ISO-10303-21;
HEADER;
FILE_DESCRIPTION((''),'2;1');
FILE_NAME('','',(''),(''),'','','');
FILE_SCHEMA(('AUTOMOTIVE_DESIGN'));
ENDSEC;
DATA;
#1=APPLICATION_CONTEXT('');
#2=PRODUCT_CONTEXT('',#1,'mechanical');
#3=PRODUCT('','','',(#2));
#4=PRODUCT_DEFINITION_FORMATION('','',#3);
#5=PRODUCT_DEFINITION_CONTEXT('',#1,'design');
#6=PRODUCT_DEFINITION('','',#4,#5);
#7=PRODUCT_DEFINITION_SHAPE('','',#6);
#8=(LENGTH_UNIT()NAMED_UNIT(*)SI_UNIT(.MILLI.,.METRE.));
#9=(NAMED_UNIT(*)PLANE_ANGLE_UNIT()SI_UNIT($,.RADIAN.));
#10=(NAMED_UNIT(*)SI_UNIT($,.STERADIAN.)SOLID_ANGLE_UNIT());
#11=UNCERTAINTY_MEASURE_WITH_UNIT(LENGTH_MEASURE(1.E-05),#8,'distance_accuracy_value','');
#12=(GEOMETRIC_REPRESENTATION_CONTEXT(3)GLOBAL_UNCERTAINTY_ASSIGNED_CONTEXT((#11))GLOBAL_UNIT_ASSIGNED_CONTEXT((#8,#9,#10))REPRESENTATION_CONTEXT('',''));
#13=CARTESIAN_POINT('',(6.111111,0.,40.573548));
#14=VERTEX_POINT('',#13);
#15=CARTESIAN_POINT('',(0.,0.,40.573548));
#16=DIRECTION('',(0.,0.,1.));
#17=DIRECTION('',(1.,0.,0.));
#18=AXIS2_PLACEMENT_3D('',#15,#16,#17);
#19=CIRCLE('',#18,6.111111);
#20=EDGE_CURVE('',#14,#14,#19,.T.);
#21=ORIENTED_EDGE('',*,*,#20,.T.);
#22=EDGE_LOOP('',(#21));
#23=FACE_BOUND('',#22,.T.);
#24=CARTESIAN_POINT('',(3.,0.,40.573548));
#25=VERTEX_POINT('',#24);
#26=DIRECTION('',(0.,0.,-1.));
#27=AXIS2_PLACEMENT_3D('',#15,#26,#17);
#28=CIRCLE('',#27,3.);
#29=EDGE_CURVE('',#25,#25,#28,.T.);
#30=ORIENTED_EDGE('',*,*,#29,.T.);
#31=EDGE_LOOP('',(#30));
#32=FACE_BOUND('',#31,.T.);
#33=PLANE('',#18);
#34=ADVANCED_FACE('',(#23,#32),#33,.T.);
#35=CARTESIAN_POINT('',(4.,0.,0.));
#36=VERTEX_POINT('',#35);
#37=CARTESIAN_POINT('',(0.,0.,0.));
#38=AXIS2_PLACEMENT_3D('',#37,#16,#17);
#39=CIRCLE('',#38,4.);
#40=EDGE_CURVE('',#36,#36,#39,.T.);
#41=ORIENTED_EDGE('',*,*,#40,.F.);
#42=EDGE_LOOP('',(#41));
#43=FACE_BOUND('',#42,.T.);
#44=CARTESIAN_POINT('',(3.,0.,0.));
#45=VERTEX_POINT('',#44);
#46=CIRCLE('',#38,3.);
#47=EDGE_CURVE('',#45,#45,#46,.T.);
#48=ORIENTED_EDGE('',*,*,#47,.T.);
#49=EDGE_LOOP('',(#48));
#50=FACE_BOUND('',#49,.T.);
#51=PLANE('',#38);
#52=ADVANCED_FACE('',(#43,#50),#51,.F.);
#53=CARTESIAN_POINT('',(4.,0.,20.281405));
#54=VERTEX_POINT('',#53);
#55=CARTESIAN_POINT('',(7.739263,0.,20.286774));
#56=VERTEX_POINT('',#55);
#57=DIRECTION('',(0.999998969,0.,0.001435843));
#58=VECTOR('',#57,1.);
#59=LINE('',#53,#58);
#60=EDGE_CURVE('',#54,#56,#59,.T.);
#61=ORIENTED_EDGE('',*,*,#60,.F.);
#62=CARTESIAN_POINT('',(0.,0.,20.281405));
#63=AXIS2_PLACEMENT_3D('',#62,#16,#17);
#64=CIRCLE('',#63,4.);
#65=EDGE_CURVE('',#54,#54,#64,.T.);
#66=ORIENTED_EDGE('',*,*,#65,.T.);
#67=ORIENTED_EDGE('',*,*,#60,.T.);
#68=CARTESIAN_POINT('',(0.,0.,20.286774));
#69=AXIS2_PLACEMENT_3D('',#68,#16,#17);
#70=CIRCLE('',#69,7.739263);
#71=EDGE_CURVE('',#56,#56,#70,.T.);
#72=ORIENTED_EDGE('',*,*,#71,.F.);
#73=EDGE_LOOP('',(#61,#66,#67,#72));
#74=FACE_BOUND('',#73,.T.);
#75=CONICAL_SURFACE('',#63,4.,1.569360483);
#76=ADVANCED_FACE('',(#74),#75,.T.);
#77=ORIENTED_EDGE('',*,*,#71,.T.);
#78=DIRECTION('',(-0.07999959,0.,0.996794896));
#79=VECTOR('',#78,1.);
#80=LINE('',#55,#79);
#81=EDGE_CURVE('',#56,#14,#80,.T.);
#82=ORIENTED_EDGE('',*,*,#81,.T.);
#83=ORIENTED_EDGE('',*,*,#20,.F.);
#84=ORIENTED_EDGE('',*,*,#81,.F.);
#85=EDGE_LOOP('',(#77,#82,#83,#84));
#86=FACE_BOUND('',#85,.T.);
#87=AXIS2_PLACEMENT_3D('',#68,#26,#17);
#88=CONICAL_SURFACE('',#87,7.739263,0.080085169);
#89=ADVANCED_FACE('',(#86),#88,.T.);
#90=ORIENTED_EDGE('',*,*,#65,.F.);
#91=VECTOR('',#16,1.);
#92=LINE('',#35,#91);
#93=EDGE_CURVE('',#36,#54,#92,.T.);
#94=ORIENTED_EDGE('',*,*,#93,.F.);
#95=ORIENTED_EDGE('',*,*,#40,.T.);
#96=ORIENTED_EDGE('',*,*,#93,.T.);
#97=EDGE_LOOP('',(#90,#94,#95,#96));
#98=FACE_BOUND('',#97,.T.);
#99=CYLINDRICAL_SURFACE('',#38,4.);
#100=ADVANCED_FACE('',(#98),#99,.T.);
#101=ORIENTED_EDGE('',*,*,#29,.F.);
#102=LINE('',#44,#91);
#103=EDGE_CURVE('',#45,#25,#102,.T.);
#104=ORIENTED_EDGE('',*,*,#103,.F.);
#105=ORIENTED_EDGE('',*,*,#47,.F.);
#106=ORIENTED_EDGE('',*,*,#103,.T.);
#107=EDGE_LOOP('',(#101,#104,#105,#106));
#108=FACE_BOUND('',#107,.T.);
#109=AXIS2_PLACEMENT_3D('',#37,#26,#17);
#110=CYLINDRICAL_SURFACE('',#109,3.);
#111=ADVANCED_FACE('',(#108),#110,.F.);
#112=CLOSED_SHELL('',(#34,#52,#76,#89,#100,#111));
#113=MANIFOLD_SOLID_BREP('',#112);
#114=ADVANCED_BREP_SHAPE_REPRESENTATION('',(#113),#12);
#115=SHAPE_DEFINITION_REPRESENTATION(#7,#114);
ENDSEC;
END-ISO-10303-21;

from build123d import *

# Parameters (mm, degrees)
F2_R      = 3
F1_FACE_R = 6.111111
F3_DEPTH  = 61


with BuildPart() as f1:
    # F0 (on Front) → F1 (revolve)
    with BuildSketch(Plane.XZ):
        Polygon((0, 40.573548), (0, 0), (4, 0), (4, 20.281405), (7.739263, 20.286774), (6.111111, 40.573548), align=None)
    revolve(axis=Axis((0, 0, 20.286774), (0, 0, 1)))

    # F2 (on Top) + F1_face (on face) → F3 (cut)
    with BuildSketch(Plane.XY):
        Circle(F2_R)
    with BuildSketch(Plane.XY.offset(40.573548)):
        Circle(F1_FACE_R)
    extrude(amount=F3_DEPTH, mode=Mode.SUBTRACT)


solid = f1.part
